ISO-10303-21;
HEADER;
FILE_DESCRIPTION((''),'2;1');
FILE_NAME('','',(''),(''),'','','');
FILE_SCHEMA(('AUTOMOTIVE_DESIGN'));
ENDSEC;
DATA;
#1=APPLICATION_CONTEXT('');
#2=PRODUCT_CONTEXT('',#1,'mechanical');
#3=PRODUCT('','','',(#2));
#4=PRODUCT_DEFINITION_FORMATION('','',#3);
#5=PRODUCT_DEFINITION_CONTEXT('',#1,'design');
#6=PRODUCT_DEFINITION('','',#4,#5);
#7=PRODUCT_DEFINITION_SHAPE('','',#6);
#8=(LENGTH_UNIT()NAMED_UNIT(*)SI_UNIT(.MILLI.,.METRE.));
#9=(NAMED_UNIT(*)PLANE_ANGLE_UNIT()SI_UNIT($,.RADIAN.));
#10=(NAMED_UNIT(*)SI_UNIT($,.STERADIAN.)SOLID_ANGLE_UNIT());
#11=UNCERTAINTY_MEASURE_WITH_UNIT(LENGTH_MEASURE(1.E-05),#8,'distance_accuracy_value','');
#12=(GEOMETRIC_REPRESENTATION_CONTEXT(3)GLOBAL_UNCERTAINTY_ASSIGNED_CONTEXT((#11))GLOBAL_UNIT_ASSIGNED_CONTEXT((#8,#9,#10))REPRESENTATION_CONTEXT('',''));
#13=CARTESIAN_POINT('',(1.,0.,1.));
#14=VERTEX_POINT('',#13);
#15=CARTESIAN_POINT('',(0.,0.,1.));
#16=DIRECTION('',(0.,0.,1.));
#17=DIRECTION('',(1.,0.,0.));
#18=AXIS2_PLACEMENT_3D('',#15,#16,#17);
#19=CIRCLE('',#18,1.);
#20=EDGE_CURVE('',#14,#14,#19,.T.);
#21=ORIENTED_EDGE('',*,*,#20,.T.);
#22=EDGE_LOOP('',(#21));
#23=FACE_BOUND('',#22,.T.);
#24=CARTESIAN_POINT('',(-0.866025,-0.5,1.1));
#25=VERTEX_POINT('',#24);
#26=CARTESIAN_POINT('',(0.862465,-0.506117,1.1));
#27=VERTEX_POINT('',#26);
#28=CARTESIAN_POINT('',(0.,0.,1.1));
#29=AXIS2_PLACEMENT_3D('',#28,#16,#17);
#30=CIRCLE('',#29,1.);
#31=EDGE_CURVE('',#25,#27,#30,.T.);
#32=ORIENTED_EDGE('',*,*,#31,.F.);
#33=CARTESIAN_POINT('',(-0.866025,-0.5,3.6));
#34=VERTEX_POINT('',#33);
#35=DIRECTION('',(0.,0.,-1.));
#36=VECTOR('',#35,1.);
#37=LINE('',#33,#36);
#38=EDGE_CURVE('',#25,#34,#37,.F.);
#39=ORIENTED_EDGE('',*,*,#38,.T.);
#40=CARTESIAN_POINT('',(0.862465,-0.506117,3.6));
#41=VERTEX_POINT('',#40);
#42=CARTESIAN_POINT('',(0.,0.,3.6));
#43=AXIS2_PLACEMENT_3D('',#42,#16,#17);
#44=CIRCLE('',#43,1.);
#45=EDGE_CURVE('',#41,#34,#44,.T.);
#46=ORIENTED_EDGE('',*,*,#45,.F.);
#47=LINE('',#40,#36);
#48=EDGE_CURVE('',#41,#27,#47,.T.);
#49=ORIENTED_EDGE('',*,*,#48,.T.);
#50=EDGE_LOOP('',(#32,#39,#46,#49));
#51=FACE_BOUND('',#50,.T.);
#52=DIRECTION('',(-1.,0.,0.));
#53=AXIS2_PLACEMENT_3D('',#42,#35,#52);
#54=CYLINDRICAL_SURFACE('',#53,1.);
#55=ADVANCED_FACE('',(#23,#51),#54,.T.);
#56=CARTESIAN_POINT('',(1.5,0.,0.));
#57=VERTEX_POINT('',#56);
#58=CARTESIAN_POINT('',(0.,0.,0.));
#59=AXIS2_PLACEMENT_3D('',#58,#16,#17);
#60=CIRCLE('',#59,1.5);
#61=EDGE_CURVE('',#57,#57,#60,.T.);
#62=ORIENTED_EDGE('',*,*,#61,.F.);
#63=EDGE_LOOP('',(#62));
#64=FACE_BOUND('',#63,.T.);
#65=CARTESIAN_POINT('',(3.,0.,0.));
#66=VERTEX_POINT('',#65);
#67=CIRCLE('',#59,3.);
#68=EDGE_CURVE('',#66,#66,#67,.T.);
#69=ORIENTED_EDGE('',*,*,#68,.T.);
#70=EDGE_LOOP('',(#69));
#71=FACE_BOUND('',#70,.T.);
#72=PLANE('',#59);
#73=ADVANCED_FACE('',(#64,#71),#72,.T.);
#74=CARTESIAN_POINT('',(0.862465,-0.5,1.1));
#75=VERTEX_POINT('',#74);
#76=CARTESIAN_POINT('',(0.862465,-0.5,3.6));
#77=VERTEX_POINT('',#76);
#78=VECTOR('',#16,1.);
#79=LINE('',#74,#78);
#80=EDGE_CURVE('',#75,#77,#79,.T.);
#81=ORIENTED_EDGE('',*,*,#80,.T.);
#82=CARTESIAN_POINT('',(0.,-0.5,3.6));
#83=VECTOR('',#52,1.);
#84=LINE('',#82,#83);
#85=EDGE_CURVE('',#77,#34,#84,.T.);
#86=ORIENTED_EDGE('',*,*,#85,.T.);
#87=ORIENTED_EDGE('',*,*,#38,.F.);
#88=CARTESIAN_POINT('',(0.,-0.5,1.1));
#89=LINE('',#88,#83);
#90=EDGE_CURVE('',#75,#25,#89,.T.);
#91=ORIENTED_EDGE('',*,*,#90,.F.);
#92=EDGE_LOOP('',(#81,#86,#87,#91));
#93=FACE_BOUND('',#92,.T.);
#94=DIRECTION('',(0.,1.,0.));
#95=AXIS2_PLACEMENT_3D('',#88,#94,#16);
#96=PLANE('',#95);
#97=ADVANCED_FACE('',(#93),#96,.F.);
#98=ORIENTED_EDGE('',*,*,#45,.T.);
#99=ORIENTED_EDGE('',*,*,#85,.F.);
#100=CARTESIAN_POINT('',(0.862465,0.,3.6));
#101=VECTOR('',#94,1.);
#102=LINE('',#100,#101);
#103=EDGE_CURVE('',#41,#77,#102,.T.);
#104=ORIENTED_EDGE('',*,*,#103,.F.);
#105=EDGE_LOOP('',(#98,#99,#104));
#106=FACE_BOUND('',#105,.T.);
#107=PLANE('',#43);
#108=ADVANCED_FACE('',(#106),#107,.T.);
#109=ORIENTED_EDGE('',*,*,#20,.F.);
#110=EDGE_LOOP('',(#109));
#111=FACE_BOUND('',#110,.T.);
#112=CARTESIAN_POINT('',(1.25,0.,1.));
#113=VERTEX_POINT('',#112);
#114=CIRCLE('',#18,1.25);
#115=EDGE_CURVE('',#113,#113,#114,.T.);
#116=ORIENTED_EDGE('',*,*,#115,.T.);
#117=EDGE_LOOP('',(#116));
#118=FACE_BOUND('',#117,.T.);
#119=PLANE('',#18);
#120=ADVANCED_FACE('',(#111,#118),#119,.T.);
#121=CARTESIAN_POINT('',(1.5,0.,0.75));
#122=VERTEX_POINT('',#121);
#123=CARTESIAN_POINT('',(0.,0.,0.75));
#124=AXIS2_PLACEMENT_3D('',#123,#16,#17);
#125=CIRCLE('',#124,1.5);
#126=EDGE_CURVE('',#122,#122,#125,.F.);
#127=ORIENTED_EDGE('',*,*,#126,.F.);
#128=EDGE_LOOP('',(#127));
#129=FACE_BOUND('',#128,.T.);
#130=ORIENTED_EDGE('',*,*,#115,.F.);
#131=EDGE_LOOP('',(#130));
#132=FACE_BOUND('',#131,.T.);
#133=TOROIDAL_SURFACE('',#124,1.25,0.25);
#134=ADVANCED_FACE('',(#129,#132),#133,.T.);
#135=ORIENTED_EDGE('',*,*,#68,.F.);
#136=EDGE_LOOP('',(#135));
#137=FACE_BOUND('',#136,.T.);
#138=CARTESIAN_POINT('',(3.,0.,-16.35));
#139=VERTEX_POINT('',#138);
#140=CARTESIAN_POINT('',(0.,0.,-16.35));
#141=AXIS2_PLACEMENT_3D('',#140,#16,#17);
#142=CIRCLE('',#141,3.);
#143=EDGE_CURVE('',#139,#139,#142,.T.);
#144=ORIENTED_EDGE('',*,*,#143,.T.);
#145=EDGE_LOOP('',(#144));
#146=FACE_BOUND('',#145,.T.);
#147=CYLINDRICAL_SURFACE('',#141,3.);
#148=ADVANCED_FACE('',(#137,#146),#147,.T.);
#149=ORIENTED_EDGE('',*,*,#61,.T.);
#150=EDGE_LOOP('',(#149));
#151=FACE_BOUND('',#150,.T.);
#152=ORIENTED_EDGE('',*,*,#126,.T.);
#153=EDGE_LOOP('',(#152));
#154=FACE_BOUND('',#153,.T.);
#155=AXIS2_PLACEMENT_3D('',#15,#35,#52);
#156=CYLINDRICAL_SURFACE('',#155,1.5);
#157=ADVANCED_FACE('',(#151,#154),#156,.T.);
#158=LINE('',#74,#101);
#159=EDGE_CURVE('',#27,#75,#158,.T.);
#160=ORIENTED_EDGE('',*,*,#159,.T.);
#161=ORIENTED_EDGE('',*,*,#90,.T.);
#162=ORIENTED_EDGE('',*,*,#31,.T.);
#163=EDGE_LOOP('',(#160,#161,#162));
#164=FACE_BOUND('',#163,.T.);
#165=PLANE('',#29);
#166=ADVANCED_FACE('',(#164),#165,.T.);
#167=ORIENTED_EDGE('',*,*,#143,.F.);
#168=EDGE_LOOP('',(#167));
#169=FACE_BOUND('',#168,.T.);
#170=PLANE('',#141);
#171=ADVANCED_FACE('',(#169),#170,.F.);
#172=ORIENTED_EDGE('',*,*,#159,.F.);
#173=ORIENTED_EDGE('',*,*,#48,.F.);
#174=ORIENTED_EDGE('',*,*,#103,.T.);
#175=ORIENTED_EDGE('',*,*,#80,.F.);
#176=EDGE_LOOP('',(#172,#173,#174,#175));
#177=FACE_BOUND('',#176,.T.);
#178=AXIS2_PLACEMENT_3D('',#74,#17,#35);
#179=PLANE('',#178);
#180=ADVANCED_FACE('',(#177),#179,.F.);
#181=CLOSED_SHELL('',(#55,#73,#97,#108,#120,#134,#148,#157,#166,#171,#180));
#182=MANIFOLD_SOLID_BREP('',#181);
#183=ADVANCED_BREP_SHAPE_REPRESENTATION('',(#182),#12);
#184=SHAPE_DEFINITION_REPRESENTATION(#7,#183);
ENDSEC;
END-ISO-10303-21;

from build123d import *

# Parameters (mm, degrees)
SKETCH_1_R          = 3
EXTRUDE_1_DEPTH     = 16.35
SKETCH_2_R          = 1.5
EXTRUDE_2_DEPTH     = 1
SKETCH_3_R          = 1
EXTRUDE_3_DEPTH     = 2.6
CUT_EXTRUDE_1_DEPTH = 2.5
FILLET_1_R          = 0.25


with BuildPart() as part:
    # 草图1 → 凸台-拉伸1 (new body)
    with BuildSketch(Plane.XY):
        Circle(SKETCH_1_R)
    extrude(amount=-EXTRUDE_1_DEPTH)

    # 草图2 → 凸台-拉伸2 (add)
    with BuildSketch(Plane.XY):
        Circle(SKETCH_2_R)
    extrude(amount=EXTRUDE_2_DEPTH)

    # 草图3 → 凸台-拉伸3 (add)
    with BuildSketch(Plane.XY.offset(1)):
        Circle(SKETCH_3_R)
    extrude(amount=EXTRUDE_3_DEPTH)

    # 草图4 → 切除-拉伸1 (cut)
    with BuildSketch(Plane.XY.offset(3.6)):
        Polygon((0, -0.5), (0.862464595, -0.5), (0.862464595, -1), (0, -1), (-0.86936686, -1), (-0.86936686, -0.5), align=None)
    extrude(amount=-CUT_EXTRUDE_1_DEPTH, mode=Mode.SUBTRACT)

    # 圆角1
    fillet_1_edges = [part.edges().sort_by_distance(p)[0] for p in [
        (-1.5, 0, 1),
    ]]
    fillet(fillet_1_edges, radius=FILLET_1_R)


solid = part.part
